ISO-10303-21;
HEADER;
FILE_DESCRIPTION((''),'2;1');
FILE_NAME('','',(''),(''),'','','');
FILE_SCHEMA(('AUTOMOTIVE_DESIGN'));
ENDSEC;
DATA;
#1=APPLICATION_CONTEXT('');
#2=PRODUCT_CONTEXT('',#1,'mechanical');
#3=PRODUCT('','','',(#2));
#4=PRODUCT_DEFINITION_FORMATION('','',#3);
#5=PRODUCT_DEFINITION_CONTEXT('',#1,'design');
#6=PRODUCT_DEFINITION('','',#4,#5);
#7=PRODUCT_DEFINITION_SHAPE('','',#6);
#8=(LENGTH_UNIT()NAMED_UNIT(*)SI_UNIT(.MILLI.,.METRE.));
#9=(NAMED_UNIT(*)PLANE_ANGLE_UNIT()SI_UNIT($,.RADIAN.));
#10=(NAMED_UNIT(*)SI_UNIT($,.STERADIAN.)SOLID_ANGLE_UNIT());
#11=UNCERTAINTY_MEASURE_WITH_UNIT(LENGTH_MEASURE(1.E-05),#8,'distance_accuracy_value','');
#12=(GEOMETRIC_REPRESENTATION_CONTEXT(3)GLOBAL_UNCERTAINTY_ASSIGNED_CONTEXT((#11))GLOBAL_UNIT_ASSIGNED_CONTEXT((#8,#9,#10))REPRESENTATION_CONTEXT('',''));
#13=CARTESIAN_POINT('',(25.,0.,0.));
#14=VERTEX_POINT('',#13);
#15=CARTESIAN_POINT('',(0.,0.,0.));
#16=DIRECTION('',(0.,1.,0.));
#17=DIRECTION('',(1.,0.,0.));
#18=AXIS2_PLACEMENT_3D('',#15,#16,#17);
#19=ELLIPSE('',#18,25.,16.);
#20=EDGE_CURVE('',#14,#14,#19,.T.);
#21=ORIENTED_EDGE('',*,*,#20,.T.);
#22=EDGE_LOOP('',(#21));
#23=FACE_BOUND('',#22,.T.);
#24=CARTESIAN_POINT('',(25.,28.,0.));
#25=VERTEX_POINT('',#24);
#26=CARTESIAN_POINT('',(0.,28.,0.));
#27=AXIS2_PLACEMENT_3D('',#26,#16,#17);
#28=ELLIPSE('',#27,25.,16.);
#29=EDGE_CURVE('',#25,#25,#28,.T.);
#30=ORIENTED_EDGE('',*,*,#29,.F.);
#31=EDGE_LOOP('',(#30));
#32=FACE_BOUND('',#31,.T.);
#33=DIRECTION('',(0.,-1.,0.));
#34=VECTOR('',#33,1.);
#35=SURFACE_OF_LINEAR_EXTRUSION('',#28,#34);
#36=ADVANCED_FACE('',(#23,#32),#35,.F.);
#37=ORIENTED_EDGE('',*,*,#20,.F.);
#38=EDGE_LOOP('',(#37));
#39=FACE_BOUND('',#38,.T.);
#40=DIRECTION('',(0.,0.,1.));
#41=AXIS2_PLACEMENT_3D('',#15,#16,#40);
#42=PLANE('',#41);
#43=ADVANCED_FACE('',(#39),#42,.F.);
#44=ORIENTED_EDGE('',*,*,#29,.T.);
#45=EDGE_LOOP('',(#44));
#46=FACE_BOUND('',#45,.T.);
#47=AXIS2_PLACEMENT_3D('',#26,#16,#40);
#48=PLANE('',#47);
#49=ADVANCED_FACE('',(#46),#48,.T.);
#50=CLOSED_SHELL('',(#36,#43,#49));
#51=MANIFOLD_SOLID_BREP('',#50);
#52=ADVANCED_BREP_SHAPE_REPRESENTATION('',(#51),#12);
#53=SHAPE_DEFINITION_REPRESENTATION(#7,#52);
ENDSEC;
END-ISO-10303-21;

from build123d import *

# Parameters (mm, degrees)
SKETCH_1_RX     = 25
SKETCH_1_RY     = 16
EXTRUDE_1_DEPTH = 28


with BuildPart() as part:
    # 草圖1 → 填料-伸長1 (new body)
    with BuildSketch(Plane(origin=(0, 0, 0), x_dir=(1, 0, 0), z_dir=(0, 1, 0))):
        with Locations((0, 0)):
            Ellipse(SKETCH_1_RX, SKETCH_1_RY)
    extrude(amount=EXTRUDE_1_DEPTH)


solid = part.part
